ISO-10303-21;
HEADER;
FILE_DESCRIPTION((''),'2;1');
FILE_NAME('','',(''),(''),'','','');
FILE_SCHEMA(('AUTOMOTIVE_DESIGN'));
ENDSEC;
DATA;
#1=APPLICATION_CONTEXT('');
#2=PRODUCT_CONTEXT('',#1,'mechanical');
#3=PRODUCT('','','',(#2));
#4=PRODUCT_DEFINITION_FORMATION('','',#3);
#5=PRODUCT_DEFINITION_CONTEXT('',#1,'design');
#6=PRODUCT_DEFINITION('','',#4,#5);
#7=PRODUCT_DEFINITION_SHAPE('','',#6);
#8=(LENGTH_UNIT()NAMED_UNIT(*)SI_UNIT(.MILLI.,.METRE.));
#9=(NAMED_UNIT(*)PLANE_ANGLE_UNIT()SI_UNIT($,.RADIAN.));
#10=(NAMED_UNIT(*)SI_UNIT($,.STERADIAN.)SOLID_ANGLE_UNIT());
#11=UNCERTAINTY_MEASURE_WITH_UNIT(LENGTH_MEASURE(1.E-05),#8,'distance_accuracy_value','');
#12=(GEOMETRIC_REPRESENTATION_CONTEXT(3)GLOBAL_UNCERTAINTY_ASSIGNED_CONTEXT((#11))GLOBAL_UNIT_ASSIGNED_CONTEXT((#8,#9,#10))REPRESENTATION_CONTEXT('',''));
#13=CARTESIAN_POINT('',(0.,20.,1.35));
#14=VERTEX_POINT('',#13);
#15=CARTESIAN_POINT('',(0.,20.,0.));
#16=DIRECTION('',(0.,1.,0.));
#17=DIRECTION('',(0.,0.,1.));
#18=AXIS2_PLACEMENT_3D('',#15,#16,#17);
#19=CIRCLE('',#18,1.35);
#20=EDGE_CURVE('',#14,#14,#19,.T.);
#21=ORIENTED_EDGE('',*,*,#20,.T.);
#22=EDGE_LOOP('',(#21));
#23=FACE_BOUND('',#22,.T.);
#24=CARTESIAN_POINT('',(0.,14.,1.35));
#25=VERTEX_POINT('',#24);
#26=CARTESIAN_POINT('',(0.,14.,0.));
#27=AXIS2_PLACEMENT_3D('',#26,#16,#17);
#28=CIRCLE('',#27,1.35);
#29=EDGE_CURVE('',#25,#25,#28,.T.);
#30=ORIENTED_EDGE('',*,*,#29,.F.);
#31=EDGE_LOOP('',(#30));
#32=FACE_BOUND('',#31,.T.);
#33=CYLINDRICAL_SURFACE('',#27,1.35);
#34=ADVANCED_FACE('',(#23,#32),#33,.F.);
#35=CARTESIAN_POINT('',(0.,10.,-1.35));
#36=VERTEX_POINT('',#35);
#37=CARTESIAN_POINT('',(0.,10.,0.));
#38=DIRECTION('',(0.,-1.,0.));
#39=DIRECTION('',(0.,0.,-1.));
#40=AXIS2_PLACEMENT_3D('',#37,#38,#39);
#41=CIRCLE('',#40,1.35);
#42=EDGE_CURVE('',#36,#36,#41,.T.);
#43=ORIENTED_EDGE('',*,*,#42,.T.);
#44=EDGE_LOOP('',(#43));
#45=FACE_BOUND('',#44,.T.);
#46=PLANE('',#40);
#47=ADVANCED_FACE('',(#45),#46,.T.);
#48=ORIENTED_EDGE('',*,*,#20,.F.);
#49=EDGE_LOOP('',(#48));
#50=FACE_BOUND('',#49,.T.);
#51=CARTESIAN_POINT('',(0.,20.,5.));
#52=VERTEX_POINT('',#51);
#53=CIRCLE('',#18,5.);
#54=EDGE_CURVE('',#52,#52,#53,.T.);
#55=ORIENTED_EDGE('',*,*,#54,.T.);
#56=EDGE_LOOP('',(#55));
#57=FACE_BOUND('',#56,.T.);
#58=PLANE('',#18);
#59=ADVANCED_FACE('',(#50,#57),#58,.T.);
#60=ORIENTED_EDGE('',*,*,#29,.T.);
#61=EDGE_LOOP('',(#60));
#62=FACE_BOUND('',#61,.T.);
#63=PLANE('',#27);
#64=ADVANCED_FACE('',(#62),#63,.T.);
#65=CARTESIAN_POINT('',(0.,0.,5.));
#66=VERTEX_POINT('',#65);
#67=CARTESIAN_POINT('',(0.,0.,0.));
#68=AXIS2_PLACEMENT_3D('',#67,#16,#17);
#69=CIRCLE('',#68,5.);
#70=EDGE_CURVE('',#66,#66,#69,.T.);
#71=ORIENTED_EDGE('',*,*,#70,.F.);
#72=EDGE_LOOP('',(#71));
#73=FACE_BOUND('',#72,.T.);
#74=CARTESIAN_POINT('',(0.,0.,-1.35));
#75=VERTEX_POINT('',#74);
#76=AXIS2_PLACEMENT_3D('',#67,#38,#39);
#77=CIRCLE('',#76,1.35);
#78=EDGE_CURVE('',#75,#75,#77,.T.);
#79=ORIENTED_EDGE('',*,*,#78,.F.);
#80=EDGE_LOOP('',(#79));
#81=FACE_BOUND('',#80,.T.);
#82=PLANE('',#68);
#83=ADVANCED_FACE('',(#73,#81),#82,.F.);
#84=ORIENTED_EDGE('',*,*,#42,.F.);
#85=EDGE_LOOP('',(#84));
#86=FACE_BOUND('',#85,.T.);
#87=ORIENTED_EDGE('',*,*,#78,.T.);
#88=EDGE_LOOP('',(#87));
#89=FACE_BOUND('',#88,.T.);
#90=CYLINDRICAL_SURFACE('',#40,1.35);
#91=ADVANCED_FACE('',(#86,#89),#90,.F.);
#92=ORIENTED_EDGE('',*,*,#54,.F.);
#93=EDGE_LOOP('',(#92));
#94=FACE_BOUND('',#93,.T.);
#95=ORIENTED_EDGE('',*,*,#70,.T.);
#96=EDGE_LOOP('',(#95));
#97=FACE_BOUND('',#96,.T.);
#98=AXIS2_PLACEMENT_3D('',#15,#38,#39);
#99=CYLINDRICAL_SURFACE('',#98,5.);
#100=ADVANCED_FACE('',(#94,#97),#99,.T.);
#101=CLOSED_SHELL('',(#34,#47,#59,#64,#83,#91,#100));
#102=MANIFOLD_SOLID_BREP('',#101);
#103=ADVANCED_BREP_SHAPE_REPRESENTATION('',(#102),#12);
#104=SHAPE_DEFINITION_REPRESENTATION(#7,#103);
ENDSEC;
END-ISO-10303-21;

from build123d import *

# Parameters (mm, degrees)
SKETCH1_R           = 5
BOSS_EXTRUDE1_DEPTH = 20
SKETCH2_R           = 1.35
CUT_EXTRUDE1_DEPTH  = 6
SKETCH12_R          = 1.35
CUT_EXTRUDE2_DEPTH  = 10


with BuildPart() as part:
    # Sketch1 → Boss-Extrude1 (new body)
    with BuildSketch(Plane(origin=(0, 0, 0), x_dir=(1, 0, 0), z_dir=(0, 1, 0))):
        Circle(SKETCH1_R)
    extrude(amount=BOSS_EXTRUDE1_DEPTH)

    # Sketch2 → Cut-Extrude1 (cut)
    with BuildSketch(Plane(origin=(0, 20, 0), x_dir=(1, 0, 0), z_dir=(0, 1, 0))):
        Circle(SKETCH2_R)
    extrude(amount=-CUT_EXTRUDE1_DEPTH, mode=Mode.SUBTRACT)

    # Sketch12 → Cut-Extrude2 (cut)
    with BuildSketch(Plane.XZ):
        Circle(SKETCH12_R)
    extrude(amount=-CUT_EXTRUDE2_DEPTH, mode=Mode.SUBTRACT)


solid = part.part
